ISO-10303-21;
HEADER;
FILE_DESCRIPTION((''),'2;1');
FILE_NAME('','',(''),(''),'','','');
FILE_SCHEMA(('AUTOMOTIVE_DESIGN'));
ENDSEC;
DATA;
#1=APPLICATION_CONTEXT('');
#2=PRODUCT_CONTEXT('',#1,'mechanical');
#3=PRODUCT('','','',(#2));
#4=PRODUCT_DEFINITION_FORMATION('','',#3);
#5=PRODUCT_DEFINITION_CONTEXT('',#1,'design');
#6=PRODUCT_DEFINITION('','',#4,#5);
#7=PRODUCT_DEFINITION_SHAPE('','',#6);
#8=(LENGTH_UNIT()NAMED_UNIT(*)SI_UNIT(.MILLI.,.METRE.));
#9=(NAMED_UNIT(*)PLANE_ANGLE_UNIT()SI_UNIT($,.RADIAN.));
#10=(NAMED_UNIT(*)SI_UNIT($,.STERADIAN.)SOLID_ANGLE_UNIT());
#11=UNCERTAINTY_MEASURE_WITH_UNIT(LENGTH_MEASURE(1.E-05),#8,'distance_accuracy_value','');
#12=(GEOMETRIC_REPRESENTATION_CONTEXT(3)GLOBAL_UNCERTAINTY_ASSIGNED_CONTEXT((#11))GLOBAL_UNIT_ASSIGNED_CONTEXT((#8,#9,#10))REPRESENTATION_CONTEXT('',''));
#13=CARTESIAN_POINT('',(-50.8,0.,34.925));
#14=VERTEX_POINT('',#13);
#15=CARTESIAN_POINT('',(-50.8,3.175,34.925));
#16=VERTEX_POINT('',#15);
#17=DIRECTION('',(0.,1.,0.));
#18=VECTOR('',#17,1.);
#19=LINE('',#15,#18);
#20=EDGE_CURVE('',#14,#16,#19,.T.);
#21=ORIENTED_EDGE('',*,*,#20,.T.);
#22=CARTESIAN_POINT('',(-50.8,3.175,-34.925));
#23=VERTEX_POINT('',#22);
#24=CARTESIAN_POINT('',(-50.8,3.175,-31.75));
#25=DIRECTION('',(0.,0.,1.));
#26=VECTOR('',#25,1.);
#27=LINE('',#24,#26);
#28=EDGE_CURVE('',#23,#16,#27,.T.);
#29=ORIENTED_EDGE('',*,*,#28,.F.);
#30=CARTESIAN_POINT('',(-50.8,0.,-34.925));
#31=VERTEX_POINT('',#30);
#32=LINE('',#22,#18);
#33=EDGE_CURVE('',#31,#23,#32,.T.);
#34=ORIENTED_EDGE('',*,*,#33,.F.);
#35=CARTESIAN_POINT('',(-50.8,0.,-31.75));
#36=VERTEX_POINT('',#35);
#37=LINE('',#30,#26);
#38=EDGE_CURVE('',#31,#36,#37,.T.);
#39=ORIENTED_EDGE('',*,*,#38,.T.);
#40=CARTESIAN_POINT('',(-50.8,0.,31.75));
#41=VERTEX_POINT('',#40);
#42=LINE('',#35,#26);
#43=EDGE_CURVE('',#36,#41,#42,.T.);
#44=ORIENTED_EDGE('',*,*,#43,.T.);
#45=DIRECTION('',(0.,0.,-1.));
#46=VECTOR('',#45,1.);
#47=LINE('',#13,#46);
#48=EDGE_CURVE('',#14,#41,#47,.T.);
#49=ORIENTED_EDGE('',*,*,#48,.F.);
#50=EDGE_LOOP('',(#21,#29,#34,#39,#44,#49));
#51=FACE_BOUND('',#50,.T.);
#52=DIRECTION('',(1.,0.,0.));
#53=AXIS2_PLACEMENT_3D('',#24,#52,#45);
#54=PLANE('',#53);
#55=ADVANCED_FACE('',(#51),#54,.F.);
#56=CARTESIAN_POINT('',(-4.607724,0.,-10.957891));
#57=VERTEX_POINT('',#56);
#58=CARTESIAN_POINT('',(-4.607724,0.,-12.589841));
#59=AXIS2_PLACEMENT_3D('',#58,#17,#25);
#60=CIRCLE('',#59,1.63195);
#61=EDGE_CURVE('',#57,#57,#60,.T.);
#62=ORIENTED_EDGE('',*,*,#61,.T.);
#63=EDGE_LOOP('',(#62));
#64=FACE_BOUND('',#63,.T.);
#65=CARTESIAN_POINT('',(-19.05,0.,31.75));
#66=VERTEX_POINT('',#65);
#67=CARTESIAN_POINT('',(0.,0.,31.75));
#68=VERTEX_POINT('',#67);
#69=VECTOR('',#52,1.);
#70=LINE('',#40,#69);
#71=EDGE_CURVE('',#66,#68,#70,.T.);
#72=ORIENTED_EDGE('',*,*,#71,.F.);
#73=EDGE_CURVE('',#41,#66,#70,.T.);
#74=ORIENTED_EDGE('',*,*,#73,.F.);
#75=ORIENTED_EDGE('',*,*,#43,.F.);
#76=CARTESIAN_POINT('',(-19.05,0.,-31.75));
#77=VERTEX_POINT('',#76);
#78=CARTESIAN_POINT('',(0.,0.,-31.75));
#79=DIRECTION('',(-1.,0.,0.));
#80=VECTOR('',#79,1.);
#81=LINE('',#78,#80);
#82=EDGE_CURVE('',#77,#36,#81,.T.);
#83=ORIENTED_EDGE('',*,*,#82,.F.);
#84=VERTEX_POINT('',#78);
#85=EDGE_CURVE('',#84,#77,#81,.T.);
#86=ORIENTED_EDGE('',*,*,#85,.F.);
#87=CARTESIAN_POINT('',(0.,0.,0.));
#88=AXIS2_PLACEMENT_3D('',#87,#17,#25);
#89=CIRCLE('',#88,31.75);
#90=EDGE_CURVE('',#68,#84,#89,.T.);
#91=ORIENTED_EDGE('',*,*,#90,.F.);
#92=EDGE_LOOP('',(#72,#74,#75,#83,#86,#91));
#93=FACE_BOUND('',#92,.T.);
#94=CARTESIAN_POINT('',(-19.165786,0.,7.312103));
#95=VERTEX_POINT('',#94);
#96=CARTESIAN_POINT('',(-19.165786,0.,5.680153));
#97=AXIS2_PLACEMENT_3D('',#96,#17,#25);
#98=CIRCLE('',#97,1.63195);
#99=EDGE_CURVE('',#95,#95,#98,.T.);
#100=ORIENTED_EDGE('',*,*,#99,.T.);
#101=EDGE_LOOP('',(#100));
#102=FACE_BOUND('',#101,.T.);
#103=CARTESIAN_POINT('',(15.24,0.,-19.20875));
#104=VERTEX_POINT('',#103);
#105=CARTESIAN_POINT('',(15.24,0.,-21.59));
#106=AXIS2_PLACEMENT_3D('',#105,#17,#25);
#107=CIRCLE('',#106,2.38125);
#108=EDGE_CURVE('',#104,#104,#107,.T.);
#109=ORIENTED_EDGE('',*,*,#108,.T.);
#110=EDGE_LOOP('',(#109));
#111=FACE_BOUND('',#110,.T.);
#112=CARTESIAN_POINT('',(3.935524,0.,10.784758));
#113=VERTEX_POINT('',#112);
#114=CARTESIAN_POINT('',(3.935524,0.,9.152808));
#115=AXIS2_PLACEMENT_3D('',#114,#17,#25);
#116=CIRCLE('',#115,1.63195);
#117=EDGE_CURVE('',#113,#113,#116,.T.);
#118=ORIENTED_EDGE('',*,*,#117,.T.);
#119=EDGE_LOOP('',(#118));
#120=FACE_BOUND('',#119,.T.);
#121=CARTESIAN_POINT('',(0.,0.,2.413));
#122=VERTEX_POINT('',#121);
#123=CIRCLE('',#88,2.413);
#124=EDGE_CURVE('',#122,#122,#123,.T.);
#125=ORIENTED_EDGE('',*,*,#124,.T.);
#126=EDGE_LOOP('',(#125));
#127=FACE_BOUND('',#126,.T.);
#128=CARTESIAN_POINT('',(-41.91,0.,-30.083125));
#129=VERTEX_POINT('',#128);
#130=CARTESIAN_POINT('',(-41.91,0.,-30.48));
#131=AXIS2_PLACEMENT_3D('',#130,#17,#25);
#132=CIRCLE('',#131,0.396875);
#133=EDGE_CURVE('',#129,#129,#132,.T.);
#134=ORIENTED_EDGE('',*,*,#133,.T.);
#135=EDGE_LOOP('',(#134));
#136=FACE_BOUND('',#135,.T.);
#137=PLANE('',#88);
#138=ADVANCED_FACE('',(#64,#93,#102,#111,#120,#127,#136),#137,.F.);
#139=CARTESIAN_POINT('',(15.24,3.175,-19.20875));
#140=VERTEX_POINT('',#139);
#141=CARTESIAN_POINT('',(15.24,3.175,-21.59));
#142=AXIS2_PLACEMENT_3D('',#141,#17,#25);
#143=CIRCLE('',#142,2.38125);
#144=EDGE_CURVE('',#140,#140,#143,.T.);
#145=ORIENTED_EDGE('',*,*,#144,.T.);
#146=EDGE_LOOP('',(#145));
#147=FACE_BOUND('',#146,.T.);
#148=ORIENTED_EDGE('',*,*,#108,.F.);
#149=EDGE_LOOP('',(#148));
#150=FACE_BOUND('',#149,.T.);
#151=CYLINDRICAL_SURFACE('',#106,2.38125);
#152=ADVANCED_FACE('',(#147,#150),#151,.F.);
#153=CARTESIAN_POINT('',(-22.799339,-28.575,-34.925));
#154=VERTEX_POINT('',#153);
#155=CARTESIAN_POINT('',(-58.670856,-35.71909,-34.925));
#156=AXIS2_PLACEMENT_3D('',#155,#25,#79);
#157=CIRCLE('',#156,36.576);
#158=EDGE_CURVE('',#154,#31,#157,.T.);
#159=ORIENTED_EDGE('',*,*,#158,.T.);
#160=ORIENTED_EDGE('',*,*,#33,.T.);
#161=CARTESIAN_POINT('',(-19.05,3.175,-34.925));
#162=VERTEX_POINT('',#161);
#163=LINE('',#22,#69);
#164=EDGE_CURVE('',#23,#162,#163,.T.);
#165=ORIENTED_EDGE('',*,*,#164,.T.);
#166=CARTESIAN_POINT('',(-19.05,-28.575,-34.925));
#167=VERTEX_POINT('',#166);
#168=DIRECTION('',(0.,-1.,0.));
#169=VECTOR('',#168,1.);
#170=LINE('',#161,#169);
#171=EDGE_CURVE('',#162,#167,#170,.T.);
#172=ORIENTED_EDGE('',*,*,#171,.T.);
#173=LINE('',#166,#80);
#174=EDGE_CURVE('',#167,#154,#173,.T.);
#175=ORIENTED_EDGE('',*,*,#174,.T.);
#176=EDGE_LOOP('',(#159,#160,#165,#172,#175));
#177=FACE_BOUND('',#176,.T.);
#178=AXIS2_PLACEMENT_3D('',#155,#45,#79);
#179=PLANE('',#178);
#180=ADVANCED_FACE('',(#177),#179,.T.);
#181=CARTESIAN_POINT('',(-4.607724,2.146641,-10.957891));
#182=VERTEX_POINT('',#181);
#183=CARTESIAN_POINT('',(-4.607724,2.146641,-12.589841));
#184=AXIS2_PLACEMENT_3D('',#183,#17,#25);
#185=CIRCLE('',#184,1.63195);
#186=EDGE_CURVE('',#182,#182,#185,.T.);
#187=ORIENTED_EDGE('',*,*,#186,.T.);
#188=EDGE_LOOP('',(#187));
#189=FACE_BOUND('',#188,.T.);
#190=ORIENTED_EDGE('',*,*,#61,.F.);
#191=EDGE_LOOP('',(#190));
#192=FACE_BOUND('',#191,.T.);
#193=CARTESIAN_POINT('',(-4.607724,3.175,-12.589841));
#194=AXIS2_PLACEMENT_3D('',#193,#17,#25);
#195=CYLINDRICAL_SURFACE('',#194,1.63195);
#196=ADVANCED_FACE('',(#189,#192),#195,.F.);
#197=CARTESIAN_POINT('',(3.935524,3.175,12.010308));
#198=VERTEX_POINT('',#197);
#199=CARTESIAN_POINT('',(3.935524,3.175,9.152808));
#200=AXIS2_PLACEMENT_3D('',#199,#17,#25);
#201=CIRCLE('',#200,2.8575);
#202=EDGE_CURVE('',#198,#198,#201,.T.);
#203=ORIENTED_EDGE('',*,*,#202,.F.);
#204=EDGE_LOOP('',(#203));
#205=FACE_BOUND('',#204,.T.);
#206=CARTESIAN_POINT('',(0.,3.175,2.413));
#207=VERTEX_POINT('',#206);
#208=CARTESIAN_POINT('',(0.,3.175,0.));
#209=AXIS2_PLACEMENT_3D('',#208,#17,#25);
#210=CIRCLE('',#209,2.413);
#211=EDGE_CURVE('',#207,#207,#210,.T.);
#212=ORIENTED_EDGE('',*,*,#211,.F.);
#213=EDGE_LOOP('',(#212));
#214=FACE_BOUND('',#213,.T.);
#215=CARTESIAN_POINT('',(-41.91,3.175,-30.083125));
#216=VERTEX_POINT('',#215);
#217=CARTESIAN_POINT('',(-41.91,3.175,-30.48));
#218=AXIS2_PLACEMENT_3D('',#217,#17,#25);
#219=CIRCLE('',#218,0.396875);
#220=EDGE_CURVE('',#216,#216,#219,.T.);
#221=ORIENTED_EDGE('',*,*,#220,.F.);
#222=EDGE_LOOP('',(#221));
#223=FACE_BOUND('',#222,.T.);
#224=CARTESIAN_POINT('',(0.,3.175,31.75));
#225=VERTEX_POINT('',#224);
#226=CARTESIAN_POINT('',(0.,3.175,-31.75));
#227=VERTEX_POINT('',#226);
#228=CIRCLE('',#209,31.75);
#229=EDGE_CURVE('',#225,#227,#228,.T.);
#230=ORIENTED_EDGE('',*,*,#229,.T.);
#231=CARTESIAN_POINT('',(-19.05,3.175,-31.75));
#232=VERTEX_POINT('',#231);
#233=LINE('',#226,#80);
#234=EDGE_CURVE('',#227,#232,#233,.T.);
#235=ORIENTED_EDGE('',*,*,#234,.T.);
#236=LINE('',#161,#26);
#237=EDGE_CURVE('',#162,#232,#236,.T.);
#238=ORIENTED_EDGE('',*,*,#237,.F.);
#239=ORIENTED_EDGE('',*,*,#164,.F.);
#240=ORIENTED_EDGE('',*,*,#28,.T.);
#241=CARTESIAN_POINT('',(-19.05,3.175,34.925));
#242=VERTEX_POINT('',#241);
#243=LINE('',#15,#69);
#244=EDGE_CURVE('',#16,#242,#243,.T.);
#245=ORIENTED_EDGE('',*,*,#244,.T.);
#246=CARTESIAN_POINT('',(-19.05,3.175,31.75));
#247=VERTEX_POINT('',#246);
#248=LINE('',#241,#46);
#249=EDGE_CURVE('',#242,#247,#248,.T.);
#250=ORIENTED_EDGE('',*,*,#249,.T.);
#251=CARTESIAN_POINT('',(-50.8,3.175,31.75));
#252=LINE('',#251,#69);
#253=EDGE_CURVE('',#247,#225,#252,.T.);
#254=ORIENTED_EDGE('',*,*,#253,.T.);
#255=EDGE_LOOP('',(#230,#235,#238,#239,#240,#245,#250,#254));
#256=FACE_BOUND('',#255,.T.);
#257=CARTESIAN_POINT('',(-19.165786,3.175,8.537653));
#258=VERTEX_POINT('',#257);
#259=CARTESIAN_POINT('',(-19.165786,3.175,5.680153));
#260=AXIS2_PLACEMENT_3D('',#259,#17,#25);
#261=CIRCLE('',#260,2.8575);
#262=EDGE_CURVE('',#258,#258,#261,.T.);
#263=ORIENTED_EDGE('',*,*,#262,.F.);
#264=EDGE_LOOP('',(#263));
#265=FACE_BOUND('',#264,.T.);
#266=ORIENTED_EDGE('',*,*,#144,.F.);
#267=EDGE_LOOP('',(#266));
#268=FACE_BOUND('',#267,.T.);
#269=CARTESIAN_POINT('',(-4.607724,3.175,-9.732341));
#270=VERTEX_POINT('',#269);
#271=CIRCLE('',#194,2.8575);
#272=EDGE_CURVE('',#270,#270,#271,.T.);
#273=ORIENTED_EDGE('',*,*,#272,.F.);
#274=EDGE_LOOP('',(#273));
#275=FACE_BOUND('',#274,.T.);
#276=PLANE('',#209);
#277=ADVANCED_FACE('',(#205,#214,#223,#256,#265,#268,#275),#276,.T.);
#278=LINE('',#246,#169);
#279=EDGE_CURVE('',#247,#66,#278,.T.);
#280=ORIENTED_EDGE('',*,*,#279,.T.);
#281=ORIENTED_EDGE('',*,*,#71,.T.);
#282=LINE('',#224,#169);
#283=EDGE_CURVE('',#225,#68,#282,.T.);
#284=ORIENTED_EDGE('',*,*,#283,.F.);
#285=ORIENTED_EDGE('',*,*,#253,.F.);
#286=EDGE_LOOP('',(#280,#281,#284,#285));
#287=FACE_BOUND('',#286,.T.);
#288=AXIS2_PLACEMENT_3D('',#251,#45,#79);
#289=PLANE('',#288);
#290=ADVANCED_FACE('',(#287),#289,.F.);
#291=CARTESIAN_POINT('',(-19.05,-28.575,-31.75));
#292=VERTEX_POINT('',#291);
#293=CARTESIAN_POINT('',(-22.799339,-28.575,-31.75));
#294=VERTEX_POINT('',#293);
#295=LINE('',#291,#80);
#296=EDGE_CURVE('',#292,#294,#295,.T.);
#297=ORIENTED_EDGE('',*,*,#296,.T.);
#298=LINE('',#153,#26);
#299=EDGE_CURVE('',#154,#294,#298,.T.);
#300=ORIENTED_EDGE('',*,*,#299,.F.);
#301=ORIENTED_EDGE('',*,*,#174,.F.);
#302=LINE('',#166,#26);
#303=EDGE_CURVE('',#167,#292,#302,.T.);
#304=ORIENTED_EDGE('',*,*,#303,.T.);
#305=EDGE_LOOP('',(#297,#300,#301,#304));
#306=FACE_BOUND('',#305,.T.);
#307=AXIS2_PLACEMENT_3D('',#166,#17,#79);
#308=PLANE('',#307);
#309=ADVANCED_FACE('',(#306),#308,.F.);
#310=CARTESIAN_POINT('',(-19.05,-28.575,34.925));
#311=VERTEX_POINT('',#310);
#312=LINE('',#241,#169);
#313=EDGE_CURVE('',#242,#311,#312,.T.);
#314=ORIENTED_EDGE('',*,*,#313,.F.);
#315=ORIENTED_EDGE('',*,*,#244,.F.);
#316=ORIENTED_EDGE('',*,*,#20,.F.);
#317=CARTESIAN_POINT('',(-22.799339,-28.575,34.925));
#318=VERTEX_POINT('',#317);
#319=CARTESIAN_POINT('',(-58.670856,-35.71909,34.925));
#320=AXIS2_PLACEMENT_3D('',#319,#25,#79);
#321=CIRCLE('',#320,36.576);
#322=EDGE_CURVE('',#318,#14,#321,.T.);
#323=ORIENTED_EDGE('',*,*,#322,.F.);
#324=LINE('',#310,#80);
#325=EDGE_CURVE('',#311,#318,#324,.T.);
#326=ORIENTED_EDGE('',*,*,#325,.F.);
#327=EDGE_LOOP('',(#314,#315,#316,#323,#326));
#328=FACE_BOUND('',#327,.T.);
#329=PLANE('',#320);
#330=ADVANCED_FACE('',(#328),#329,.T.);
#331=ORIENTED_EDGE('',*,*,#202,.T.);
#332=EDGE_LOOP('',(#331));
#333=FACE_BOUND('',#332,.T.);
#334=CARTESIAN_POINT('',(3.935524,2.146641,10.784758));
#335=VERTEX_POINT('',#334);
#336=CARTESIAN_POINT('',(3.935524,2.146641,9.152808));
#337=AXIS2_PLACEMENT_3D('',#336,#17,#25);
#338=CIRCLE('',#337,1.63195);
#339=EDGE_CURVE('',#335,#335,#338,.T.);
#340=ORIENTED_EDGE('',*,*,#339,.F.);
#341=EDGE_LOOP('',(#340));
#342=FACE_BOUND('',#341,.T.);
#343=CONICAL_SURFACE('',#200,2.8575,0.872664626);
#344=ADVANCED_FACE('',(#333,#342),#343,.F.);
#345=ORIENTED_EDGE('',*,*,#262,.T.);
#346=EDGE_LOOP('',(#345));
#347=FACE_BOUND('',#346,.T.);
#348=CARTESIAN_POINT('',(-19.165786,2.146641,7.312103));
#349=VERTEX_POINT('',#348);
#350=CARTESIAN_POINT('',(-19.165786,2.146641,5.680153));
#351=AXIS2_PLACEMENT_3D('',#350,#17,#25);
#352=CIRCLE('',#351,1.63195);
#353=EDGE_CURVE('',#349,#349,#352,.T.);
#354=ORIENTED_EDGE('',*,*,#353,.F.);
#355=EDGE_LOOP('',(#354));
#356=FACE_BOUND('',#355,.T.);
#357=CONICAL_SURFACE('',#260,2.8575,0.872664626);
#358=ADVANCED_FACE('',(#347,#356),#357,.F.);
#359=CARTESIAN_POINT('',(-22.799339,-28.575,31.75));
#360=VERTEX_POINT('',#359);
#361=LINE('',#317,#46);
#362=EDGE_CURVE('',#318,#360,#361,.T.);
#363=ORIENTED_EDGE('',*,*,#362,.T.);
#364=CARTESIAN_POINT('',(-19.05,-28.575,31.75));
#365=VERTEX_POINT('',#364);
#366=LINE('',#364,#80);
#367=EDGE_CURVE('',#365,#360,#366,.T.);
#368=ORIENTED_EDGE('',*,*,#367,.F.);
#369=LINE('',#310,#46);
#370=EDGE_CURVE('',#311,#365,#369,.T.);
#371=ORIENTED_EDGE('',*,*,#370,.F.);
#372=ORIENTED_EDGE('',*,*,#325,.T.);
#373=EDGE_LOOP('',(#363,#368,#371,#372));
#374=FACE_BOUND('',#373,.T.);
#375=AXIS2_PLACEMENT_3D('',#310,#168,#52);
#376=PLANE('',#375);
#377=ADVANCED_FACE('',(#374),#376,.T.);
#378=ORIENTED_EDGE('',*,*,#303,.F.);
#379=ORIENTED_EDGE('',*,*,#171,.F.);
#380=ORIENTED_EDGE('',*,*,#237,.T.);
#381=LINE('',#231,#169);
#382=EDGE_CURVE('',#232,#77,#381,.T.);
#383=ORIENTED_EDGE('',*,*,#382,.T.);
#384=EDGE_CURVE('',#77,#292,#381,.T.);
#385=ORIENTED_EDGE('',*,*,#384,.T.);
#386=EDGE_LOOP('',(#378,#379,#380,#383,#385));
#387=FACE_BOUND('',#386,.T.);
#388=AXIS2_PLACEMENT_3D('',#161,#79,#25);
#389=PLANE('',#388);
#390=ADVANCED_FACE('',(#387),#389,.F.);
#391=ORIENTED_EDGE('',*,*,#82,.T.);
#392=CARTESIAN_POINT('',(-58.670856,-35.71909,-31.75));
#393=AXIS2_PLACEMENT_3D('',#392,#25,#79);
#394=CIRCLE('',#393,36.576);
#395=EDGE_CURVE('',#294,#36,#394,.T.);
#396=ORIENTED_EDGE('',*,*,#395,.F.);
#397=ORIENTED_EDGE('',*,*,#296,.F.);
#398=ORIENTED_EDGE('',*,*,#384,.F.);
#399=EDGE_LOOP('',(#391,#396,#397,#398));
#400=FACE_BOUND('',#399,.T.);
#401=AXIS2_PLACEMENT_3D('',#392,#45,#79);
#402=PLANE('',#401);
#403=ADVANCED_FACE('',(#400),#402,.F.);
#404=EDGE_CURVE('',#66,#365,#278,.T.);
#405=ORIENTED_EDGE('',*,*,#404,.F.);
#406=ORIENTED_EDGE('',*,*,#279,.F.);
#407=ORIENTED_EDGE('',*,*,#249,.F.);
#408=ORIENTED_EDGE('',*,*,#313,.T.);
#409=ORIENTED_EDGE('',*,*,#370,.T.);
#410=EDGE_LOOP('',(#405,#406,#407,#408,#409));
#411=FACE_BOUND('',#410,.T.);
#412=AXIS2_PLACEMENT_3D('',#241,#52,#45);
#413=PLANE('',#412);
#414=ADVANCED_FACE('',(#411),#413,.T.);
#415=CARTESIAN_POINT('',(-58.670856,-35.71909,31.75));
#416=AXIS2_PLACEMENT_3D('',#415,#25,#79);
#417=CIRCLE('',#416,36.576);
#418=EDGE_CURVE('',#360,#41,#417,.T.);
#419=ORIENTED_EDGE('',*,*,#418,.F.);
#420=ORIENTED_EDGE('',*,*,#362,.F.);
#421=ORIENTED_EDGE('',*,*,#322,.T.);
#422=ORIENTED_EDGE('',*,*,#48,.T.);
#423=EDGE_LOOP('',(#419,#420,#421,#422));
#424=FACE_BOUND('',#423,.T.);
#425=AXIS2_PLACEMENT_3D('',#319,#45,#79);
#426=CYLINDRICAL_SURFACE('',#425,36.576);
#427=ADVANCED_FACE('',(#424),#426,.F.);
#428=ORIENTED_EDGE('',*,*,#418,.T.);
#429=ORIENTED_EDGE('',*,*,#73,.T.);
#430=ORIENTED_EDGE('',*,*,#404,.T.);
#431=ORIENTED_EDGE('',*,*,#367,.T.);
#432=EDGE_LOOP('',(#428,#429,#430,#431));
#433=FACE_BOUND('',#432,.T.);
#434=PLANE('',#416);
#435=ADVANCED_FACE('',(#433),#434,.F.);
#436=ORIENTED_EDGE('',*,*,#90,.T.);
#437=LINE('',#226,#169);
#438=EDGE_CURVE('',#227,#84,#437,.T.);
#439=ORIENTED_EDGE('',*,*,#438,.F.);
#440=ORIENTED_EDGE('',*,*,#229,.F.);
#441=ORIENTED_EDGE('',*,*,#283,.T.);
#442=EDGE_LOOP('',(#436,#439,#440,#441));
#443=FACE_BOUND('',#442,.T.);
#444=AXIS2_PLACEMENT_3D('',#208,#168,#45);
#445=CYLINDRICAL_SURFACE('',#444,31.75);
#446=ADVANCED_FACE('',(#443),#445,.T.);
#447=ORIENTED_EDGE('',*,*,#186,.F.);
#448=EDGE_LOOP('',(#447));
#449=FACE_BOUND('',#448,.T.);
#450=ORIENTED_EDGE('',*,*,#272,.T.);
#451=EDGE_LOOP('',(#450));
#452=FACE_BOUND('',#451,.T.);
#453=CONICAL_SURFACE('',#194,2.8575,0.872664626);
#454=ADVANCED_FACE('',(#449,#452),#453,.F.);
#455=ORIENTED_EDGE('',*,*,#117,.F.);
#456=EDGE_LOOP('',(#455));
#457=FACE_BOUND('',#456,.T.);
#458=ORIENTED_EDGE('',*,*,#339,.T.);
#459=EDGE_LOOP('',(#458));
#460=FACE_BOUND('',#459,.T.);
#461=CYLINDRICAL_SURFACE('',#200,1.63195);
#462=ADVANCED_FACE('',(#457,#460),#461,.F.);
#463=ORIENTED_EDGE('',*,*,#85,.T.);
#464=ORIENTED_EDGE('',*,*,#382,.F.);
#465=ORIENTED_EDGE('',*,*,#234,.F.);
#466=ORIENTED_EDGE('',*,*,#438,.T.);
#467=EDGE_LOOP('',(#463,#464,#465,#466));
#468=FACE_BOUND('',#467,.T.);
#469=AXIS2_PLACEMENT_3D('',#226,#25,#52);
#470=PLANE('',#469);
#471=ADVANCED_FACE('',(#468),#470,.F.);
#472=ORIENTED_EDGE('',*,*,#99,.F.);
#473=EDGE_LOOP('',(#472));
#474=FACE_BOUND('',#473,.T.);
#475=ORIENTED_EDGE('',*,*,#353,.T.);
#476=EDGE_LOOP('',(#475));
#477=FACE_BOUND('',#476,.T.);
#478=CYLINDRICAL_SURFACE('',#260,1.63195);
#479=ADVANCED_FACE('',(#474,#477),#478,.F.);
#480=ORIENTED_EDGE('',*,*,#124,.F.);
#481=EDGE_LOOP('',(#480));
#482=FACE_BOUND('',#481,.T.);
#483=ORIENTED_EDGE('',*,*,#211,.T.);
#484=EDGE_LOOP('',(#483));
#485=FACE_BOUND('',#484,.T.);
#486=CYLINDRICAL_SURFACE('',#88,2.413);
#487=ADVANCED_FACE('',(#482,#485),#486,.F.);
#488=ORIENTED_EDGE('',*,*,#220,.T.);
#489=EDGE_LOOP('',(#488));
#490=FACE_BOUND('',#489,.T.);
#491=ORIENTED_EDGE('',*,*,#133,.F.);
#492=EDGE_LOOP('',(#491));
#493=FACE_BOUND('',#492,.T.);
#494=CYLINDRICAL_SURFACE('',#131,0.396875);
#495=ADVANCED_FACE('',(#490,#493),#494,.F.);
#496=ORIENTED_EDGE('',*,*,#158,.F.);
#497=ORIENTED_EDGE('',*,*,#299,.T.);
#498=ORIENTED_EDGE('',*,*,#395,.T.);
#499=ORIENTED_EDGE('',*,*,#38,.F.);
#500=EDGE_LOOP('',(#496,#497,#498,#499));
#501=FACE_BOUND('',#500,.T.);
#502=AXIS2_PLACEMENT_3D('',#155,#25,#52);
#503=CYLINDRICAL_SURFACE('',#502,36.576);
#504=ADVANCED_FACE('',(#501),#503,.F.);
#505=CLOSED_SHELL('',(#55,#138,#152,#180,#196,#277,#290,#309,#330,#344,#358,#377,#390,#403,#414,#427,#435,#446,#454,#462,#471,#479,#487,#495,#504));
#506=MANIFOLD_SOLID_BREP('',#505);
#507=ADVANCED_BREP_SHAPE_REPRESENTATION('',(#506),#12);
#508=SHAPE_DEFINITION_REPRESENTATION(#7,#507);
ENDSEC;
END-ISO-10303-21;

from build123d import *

# Parameters (mm, degrees)
BOSS_EXTRUDE1_DEPTH                               = 3.175
SKETCH2_R                                         = 2.413
SKETCH2_R_2                                       = 0.79375
CUT_EXTRUDE1_DEPTH                                = 60.989858518
CSK_FOR_4_FLAT_HEAD_MACHINE_SCREW_100_D           = 3.2639
CSK_FOR_4_FLAT_HEAD_MACHINE_SCREW_100_CSINK_D     = 5.715
CSK_FOR_4_FLAT_HEAD_MACHINE_SCREW_100_CSINK_ANGLE = 100
SKETCH5_R                                         = 2.38125
SKETCH5_R_2                                       = 0.396875
CUT_EXTRUDE2_DEPTH                                = 60.989858518
BOSS_EXTRUDE2_DEPTH                               = 3.175


with BuildPart() as part:
    # Sketch1 → Boss-Extrude1 (new body)
    with BuildSketch(Plane(origin=(0, 0, 0), x_dir=(1, 0, 0), z_dir=(0, 1, 0))):
        with BuildLine():
            Line((0, 31.75), (-50.8, 31.75))
            Line((-50.8, 31.75), (-50.8, -31.75))
            Line((-50.8, -31.75), (0, -31.75))
            ThreePointArc((0, -31.75), (31.75, 0), (0, 31.75))
        make_face()
    extrude(amount=BOSS_EXTRUDE1_DEPTH)

    # Sketch2 → Cut-Extrude1 (cut, through all)
    with BuildSketch(Plane(origin=(0, 3.175, 0), x_dir=(1, 0, 0), z_dir=(0, 1, 0))):
        with Locations(Location((0, 0, 0), (0, 0, 270))):
            Circle(SKETCH2_R)
        with Locations(Location((-19.165786135, -5.680153436, 0), (0, 0, 270))):
            Circle(SKETCH2_R_2)
        with Locations(Location((-4.607724074, 12.589841237, 0), (0, 0, 270))):
            Circle(SKETCH2_R_2)
        with Locations(Location((3.935524409, -9.152807674, 0), (0, 0, 270))):
            Circle(SKETCH2_R_2)
    extrude(amount=-CUT_EXTRUDE1_DEPTH, mode=Mode.SUBTRACT)

    # CSK for #4 Flat Head Machine Screw (100)1 (through all)
    with Locations(Plane(origin=(0, 3.175, 0), x_dir=(1, 0, 0), z_dir=(0, 1, 0))):
        with Locations((3.935524409, -9.152807674), (-19.165786135, -5.680153436), (-4.607724074, 12.589841237)):
            CounterSinkHole(CSK_FOR_4_FLAT_HEAD_MACHINE_SCREW_100_D / 2, CSK_FOR_4_FLAT_HEAD_MACHINE_SCREW_100_CSINK_D / 2, counter_sink_angle=CSK_FOR_4_FLAT_HEAD_MACHINE_SCREW_100_CSINK_ANGLE)

    # Sketch5 → Cut-Extrude2 (cut, through all)
    with BuildSketch(Plane(origin=(0, 3.175, 0), x_dir=(1, 0, 0), z_dir=(0, 1, 0))):
        with Locations(Location((15.24, 21.59, 0), (0, 0, 270))):
            Circle(SKETCH5_R)
        with Locations(Location((-41.91, 30.48, 0), (0, 0, 270))):
            Circle(SKETCH5_R_2)
    extrude(amount=-CUT_EXTRUDE2_DEPTH, mode=Mode.SUBTRACT)

    # Sketch6 → Boss-Extrude2 (add)
    with BuildSketch(Plane(origin=(0, 0, -31.75), x_dir=(-1, 0, 0), z_dir=(0, 0, -1))):
        with BuildLine():
            Line((50.8, 3.175), (19.05, 3.175))
            Line((19.05, 3.175), (19.05, -28.575))
            Line((19.05, -28.575), (22.799338861, -28.575))
            ThreePointArc((22.799338861, -28.575), (32.546509941, -10.119826243), (50.8, 0))
            Line((50.8, 0), (50.8, 3.175))
        make_face()
    boss_extrude2 = extrude(amount=BOSS_EXTRUDE2_DEPTH)

    # Mirror1: Boss-Extrude2 across plane
    add(boss_extrude2.mirror(Plane.XY))


solid = part.part
